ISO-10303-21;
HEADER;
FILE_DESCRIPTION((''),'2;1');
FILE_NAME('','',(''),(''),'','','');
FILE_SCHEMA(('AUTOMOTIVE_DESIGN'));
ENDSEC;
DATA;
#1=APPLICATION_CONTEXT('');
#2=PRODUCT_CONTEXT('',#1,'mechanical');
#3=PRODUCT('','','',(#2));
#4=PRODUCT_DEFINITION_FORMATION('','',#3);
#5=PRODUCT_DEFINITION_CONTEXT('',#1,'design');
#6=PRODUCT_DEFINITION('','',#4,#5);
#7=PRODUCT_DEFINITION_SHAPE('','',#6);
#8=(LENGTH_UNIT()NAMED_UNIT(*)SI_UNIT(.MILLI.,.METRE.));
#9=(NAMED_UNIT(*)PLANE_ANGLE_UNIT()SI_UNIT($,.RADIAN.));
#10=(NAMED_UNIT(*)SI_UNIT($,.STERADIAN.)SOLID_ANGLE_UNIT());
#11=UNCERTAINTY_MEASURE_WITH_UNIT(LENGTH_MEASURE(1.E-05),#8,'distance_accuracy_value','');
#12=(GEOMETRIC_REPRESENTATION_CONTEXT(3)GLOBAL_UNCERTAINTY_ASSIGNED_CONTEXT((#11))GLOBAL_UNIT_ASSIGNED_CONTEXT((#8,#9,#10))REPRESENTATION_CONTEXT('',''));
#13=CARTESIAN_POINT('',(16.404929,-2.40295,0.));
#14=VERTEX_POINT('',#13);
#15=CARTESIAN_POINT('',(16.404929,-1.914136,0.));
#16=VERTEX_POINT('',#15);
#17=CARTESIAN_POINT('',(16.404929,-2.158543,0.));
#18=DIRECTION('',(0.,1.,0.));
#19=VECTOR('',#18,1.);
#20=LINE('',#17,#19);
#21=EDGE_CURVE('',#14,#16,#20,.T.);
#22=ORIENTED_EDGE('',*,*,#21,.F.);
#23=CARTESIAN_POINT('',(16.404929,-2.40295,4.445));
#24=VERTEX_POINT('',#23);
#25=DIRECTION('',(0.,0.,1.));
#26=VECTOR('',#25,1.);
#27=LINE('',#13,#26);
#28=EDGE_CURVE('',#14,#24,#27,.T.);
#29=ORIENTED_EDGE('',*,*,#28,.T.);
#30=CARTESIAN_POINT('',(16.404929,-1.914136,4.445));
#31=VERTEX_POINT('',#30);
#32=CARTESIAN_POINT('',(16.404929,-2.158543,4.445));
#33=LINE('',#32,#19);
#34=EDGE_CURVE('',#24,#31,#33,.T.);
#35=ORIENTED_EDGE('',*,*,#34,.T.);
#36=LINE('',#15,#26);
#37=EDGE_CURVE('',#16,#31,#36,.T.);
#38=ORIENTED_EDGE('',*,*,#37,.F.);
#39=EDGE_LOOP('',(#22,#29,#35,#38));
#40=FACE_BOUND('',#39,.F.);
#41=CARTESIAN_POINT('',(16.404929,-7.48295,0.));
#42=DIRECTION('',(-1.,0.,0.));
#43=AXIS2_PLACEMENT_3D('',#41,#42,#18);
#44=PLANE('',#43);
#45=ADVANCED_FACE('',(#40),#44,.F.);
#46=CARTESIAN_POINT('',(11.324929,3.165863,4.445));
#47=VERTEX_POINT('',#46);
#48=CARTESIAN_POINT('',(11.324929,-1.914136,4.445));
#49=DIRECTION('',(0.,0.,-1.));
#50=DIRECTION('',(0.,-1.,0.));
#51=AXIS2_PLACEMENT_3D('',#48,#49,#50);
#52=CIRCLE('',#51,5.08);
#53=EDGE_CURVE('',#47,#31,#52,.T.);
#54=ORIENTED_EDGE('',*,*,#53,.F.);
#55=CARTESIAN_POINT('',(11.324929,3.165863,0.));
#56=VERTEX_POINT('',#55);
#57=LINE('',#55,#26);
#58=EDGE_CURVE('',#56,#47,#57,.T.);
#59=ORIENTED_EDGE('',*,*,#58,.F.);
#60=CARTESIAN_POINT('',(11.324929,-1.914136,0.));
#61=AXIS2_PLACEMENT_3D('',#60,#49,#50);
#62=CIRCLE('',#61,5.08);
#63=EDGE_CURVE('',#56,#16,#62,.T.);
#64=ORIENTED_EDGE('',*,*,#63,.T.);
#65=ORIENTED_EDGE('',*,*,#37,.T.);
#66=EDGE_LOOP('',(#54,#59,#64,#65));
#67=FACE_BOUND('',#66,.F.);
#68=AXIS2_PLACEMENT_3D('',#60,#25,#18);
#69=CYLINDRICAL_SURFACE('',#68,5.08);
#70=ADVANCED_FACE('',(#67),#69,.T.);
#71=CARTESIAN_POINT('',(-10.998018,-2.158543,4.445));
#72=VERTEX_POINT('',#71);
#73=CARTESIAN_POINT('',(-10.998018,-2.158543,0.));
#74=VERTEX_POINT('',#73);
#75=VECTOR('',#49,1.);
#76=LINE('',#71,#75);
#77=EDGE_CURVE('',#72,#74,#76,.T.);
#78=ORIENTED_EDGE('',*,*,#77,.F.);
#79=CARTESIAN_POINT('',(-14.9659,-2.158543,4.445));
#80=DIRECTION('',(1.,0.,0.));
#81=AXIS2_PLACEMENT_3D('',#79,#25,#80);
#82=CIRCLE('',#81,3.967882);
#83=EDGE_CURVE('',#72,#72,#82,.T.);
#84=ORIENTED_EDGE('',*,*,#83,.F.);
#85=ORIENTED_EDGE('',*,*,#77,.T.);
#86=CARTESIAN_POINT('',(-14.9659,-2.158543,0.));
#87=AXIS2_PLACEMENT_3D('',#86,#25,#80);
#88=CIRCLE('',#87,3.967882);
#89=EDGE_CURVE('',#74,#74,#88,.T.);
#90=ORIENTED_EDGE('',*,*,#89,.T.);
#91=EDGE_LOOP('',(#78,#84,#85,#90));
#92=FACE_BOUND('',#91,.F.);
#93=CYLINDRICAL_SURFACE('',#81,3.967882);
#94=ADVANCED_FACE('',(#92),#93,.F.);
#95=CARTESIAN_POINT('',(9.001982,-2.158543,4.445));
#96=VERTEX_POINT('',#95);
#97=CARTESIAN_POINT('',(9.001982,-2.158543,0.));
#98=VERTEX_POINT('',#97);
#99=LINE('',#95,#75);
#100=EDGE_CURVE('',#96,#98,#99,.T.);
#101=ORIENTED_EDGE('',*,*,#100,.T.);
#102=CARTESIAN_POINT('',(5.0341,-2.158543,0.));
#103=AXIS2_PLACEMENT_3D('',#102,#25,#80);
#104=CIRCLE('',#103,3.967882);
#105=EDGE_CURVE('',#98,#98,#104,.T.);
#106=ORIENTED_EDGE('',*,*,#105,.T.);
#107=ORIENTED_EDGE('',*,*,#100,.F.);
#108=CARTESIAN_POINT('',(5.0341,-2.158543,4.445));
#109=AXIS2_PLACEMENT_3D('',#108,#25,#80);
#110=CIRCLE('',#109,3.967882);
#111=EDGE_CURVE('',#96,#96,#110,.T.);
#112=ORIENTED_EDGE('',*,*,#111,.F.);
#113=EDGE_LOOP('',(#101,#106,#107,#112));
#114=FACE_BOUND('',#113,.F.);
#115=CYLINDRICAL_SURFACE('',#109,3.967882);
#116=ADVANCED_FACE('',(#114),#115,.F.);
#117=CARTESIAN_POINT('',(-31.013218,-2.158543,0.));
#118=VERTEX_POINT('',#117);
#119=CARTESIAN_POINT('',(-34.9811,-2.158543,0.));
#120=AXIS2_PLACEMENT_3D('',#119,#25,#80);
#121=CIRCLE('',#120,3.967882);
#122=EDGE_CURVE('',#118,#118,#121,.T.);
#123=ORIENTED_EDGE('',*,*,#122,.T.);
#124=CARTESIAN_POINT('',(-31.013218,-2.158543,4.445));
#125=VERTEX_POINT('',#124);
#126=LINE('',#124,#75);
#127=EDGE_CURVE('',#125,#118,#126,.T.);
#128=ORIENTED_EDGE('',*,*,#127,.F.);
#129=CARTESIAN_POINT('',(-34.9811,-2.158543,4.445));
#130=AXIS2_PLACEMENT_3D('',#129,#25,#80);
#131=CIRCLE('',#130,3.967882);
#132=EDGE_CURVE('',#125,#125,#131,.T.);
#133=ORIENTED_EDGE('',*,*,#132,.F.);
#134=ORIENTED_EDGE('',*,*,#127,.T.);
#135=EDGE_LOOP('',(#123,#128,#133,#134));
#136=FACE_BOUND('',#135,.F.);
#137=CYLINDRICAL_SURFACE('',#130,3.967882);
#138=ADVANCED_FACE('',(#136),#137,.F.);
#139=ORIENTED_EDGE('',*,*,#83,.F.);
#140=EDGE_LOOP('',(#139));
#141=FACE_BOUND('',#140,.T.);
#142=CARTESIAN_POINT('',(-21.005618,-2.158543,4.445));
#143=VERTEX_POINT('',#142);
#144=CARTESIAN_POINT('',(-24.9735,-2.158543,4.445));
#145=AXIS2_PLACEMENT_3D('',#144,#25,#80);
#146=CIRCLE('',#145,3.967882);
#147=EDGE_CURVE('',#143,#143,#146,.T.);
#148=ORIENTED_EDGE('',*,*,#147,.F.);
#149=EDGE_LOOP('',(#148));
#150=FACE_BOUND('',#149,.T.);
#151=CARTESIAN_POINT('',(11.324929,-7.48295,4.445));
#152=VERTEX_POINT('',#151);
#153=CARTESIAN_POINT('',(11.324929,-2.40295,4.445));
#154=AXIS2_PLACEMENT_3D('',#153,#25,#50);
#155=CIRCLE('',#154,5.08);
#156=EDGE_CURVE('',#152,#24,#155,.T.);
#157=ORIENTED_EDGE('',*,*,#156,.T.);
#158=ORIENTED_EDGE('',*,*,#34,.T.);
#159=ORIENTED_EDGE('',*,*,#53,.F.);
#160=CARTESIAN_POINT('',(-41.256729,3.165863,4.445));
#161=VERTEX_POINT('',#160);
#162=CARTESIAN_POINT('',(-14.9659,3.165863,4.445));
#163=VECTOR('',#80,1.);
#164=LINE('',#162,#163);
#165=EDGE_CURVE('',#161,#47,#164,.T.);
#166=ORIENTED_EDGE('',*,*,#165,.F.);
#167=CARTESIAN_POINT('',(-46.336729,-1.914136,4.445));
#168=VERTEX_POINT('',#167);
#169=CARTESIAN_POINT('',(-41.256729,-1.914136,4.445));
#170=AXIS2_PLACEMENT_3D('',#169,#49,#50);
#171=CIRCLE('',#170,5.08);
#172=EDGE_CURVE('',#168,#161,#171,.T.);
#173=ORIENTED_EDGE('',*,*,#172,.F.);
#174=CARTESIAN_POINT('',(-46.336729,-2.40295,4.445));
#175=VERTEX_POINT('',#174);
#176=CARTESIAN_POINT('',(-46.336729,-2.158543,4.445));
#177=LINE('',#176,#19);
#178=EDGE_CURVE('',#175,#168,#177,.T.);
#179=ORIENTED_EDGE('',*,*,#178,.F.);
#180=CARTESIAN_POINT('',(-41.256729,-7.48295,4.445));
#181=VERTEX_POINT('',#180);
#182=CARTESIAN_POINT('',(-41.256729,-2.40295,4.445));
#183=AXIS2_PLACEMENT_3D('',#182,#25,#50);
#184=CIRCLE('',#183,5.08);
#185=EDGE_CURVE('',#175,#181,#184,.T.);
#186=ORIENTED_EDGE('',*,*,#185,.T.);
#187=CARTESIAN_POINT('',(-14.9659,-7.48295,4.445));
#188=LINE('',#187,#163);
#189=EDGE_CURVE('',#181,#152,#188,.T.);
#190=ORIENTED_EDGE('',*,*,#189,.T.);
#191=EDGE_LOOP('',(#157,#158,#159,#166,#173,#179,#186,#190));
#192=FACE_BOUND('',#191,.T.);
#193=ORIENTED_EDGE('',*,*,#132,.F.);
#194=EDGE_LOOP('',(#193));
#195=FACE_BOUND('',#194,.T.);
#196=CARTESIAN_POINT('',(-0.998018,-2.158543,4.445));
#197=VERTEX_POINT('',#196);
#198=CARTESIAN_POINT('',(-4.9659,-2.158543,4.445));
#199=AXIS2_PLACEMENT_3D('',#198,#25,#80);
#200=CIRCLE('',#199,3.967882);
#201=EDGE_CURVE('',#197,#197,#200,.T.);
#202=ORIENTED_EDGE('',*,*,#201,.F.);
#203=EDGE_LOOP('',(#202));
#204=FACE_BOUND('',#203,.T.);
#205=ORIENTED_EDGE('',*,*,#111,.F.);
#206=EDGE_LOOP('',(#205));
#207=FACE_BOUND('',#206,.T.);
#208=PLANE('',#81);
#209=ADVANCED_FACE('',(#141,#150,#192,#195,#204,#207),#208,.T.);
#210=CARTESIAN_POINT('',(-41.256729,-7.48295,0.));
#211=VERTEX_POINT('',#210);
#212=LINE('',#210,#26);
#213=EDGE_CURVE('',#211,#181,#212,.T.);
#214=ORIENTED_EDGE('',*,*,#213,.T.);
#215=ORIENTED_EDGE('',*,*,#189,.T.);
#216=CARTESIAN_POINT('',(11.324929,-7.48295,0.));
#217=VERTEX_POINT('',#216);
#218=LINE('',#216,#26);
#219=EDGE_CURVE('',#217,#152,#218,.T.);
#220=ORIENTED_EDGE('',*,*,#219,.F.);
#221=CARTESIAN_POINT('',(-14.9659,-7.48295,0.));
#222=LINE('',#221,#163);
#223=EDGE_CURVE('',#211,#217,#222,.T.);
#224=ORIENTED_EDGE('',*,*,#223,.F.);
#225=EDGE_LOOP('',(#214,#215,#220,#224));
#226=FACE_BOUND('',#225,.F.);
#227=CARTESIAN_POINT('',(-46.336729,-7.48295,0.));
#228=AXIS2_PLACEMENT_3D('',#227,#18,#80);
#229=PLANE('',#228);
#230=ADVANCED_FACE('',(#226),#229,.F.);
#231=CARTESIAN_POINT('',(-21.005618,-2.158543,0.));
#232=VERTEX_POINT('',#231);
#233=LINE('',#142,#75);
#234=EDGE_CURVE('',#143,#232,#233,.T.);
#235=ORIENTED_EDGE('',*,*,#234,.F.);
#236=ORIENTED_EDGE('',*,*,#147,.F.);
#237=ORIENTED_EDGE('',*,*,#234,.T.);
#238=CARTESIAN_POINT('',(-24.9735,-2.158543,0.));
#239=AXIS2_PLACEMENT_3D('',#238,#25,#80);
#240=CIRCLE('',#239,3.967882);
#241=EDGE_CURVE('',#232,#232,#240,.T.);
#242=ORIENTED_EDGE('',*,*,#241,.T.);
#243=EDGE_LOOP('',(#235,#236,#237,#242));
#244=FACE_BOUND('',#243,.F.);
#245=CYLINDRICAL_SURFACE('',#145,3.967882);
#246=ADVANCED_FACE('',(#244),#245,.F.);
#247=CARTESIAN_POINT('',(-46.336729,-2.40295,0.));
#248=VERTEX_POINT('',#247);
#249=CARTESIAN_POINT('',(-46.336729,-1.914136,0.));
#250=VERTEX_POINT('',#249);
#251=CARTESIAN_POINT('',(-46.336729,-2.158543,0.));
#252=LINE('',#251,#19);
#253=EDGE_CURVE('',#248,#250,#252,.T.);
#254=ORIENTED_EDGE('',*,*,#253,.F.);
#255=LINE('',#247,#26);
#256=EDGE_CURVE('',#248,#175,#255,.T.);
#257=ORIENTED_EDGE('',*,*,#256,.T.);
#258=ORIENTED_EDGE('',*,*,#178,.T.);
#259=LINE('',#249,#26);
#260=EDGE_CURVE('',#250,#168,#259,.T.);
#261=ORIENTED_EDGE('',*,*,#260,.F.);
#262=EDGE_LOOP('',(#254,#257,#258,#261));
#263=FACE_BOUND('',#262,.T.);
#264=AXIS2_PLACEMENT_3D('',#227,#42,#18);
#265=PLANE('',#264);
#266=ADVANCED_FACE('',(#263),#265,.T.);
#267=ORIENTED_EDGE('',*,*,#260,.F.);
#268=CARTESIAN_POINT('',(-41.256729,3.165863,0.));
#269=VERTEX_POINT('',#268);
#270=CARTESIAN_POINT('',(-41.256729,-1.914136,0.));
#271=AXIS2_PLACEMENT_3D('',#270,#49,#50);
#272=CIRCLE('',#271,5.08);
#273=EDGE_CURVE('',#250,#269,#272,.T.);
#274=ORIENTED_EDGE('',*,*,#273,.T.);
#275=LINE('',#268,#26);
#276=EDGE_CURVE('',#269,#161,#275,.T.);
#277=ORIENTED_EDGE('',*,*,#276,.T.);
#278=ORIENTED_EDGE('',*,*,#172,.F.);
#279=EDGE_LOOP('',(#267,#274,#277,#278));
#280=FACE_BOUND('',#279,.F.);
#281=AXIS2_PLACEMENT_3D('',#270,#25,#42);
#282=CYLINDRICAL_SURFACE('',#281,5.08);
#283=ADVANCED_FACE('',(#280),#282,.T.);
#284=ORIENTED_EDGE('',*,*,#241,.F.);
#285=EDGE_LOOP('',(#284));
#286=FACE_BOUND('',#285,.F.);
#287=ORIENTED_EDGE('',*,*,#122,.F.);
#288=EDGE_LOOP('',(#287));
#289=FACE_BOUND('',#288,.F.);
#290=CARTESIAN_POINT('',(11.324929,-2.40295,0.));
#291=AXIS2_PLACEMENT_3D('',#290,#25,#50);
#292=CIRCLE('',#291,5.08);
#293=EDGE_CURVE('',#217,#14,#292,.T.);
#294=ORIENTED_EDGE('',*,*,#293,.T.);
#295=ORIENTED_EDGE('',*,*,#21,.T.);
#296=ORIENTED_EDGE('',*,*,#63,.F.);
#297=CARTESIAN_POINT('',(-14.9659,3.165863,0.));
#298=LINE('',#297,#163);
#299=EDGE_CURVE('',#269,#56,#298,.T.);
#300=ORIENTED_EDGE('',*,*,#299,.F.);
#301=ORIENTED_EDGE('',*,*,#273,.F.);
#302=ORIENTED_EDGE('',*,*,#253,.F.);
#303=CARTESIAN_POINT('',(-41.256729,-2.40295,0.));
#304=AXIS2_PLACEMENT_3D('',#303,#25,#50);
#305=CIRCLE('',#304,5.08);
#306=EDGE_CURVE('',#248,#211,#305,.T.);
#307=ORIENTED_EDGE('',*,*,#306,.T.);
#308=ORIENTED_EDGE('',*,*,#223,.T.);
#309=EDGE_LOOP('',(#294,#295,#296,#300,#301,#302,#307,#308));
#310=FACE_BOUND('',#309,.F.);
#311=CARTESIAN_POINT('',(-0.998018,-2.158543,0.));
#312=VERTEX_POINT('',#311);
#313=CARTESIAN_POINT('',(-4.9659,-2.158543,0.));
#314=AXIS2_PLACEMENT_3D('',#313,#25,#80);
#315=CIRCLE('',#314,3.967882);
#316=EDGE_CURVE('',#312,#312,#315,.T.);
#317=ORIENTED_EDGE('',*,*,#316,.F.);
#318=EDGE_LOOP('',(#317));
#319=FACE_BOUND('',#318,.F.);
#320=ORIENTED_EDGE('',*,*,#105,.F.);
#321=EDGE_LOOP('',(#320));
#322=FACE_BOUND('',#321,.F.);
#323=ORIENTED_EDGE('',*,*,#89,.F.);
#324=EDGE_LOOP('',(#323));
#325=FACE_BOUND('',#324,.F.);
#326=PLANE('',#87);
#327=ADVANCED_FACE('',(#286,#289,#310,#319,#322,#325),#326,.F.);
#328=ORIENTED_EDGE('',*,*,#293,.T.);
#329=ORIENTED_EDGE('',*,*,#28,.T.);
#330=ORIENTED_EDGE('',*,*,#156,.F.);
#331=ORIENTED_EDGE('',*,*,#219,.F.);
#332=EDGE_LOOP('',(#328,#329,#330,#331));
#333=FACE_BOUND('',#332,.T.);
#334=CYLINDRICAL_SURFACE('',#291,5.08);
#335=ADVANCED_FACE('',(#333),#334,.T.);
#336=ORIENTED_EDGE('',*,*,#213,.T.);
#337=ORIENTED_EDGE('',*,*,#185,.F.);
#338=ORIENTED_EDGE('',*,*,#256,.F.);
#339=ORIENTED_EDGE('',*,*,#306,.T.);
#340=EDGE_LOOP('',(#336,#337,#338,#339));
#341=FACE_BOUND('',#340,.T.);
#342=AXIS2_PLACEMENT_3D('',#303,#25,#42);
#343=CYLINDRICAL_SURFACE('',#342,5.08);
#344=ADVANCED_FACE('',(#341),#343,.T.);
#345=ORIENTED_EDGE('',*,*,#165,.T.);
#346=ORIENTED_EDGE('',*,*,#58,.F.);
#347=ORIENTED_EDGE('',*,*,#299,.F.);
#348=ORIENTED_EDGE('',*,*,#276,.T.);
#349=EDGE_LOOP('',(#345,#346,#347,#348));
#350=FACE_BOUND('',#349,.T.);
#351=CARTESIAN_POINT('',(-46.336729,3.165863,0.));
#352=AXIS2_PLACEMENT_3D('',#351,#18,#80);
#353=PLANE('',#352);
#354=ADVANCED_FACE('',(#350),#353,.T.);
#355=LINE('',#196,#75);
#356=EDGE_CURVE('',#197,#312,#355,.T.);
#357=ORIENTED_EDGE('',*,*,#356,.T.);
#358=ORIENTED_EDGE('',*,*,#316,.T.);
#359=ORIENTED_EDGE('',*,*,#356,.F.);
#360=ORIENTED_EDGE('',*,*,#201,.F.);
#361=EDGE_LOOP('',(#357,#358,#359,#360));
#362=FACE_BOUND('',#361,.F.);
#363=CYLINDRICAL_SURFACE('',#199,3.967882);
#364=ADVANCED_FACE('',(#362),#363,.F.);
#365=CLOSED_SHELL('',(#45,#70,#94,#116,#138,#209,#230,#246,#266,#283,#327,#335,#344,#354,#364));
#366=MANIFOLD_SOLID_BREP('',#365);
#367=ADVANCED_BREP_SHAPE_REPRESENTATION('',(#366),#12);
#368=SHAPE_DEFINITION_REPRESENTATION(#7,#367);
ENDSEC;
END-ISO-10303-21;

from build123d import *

# Parameters (mm, degrees)
F0_W     = 62.741658
F0_H     = 10.648813
F1_DEPTH = 4.445
F2_R     = 3.967882
F3_DEPTH = 4.446
F4_R     = 5.08
F5_R     = 5.08


with BuildPart() as f1:
    # F0 (on Top) → F1 (new body)
    with BuildSketch(Plane.XY):
        with Locations((-14.9659, -2.158543)):
            Rectangle(F0_W, F0_H)
    extrude(amount=F1_DEPTH)

    # F2 (on face) → F3 (cut, through all)
    with BuildSketch(Plane.XY.offset(4.445)):
        with Locations((-34.9811, -2.158543)):
            Circle(F2_R)
        with Locations((5.0341, -2.158543)):
            Circle(F2_R)
        with Locations((-24.9735, -2.158543)):
            Circle(F2_R)
        with Locations((-14.9659, -2.158543)):
            Circle(F2_R)
        with Locations((-4.9659, -2.158543)):
            Circle(F2_R)
    extrude(amount=-F3_DEPTH, mode=Mode.SUBTRACT)

    # F4
    f4_edges = [f1.edges().sort_by_distance(p)[0] for p in [
        (-46.336729, 3.165863, 2.2225),
        (-46.336729, -7.48295, 2.2225),
    ]]
    fillet(f4_edges, radius=F4_R)

    # F5
    f5_edges = [f1.edges().sort_by_distance(p)[0] for p in [
        (16.404929, -7.48295, 2.2225),
        (16.404929, 3.165863, 2.2225),
    ]]
    fillet(f5_edges, radius=F5_R)


solid = f1.part
